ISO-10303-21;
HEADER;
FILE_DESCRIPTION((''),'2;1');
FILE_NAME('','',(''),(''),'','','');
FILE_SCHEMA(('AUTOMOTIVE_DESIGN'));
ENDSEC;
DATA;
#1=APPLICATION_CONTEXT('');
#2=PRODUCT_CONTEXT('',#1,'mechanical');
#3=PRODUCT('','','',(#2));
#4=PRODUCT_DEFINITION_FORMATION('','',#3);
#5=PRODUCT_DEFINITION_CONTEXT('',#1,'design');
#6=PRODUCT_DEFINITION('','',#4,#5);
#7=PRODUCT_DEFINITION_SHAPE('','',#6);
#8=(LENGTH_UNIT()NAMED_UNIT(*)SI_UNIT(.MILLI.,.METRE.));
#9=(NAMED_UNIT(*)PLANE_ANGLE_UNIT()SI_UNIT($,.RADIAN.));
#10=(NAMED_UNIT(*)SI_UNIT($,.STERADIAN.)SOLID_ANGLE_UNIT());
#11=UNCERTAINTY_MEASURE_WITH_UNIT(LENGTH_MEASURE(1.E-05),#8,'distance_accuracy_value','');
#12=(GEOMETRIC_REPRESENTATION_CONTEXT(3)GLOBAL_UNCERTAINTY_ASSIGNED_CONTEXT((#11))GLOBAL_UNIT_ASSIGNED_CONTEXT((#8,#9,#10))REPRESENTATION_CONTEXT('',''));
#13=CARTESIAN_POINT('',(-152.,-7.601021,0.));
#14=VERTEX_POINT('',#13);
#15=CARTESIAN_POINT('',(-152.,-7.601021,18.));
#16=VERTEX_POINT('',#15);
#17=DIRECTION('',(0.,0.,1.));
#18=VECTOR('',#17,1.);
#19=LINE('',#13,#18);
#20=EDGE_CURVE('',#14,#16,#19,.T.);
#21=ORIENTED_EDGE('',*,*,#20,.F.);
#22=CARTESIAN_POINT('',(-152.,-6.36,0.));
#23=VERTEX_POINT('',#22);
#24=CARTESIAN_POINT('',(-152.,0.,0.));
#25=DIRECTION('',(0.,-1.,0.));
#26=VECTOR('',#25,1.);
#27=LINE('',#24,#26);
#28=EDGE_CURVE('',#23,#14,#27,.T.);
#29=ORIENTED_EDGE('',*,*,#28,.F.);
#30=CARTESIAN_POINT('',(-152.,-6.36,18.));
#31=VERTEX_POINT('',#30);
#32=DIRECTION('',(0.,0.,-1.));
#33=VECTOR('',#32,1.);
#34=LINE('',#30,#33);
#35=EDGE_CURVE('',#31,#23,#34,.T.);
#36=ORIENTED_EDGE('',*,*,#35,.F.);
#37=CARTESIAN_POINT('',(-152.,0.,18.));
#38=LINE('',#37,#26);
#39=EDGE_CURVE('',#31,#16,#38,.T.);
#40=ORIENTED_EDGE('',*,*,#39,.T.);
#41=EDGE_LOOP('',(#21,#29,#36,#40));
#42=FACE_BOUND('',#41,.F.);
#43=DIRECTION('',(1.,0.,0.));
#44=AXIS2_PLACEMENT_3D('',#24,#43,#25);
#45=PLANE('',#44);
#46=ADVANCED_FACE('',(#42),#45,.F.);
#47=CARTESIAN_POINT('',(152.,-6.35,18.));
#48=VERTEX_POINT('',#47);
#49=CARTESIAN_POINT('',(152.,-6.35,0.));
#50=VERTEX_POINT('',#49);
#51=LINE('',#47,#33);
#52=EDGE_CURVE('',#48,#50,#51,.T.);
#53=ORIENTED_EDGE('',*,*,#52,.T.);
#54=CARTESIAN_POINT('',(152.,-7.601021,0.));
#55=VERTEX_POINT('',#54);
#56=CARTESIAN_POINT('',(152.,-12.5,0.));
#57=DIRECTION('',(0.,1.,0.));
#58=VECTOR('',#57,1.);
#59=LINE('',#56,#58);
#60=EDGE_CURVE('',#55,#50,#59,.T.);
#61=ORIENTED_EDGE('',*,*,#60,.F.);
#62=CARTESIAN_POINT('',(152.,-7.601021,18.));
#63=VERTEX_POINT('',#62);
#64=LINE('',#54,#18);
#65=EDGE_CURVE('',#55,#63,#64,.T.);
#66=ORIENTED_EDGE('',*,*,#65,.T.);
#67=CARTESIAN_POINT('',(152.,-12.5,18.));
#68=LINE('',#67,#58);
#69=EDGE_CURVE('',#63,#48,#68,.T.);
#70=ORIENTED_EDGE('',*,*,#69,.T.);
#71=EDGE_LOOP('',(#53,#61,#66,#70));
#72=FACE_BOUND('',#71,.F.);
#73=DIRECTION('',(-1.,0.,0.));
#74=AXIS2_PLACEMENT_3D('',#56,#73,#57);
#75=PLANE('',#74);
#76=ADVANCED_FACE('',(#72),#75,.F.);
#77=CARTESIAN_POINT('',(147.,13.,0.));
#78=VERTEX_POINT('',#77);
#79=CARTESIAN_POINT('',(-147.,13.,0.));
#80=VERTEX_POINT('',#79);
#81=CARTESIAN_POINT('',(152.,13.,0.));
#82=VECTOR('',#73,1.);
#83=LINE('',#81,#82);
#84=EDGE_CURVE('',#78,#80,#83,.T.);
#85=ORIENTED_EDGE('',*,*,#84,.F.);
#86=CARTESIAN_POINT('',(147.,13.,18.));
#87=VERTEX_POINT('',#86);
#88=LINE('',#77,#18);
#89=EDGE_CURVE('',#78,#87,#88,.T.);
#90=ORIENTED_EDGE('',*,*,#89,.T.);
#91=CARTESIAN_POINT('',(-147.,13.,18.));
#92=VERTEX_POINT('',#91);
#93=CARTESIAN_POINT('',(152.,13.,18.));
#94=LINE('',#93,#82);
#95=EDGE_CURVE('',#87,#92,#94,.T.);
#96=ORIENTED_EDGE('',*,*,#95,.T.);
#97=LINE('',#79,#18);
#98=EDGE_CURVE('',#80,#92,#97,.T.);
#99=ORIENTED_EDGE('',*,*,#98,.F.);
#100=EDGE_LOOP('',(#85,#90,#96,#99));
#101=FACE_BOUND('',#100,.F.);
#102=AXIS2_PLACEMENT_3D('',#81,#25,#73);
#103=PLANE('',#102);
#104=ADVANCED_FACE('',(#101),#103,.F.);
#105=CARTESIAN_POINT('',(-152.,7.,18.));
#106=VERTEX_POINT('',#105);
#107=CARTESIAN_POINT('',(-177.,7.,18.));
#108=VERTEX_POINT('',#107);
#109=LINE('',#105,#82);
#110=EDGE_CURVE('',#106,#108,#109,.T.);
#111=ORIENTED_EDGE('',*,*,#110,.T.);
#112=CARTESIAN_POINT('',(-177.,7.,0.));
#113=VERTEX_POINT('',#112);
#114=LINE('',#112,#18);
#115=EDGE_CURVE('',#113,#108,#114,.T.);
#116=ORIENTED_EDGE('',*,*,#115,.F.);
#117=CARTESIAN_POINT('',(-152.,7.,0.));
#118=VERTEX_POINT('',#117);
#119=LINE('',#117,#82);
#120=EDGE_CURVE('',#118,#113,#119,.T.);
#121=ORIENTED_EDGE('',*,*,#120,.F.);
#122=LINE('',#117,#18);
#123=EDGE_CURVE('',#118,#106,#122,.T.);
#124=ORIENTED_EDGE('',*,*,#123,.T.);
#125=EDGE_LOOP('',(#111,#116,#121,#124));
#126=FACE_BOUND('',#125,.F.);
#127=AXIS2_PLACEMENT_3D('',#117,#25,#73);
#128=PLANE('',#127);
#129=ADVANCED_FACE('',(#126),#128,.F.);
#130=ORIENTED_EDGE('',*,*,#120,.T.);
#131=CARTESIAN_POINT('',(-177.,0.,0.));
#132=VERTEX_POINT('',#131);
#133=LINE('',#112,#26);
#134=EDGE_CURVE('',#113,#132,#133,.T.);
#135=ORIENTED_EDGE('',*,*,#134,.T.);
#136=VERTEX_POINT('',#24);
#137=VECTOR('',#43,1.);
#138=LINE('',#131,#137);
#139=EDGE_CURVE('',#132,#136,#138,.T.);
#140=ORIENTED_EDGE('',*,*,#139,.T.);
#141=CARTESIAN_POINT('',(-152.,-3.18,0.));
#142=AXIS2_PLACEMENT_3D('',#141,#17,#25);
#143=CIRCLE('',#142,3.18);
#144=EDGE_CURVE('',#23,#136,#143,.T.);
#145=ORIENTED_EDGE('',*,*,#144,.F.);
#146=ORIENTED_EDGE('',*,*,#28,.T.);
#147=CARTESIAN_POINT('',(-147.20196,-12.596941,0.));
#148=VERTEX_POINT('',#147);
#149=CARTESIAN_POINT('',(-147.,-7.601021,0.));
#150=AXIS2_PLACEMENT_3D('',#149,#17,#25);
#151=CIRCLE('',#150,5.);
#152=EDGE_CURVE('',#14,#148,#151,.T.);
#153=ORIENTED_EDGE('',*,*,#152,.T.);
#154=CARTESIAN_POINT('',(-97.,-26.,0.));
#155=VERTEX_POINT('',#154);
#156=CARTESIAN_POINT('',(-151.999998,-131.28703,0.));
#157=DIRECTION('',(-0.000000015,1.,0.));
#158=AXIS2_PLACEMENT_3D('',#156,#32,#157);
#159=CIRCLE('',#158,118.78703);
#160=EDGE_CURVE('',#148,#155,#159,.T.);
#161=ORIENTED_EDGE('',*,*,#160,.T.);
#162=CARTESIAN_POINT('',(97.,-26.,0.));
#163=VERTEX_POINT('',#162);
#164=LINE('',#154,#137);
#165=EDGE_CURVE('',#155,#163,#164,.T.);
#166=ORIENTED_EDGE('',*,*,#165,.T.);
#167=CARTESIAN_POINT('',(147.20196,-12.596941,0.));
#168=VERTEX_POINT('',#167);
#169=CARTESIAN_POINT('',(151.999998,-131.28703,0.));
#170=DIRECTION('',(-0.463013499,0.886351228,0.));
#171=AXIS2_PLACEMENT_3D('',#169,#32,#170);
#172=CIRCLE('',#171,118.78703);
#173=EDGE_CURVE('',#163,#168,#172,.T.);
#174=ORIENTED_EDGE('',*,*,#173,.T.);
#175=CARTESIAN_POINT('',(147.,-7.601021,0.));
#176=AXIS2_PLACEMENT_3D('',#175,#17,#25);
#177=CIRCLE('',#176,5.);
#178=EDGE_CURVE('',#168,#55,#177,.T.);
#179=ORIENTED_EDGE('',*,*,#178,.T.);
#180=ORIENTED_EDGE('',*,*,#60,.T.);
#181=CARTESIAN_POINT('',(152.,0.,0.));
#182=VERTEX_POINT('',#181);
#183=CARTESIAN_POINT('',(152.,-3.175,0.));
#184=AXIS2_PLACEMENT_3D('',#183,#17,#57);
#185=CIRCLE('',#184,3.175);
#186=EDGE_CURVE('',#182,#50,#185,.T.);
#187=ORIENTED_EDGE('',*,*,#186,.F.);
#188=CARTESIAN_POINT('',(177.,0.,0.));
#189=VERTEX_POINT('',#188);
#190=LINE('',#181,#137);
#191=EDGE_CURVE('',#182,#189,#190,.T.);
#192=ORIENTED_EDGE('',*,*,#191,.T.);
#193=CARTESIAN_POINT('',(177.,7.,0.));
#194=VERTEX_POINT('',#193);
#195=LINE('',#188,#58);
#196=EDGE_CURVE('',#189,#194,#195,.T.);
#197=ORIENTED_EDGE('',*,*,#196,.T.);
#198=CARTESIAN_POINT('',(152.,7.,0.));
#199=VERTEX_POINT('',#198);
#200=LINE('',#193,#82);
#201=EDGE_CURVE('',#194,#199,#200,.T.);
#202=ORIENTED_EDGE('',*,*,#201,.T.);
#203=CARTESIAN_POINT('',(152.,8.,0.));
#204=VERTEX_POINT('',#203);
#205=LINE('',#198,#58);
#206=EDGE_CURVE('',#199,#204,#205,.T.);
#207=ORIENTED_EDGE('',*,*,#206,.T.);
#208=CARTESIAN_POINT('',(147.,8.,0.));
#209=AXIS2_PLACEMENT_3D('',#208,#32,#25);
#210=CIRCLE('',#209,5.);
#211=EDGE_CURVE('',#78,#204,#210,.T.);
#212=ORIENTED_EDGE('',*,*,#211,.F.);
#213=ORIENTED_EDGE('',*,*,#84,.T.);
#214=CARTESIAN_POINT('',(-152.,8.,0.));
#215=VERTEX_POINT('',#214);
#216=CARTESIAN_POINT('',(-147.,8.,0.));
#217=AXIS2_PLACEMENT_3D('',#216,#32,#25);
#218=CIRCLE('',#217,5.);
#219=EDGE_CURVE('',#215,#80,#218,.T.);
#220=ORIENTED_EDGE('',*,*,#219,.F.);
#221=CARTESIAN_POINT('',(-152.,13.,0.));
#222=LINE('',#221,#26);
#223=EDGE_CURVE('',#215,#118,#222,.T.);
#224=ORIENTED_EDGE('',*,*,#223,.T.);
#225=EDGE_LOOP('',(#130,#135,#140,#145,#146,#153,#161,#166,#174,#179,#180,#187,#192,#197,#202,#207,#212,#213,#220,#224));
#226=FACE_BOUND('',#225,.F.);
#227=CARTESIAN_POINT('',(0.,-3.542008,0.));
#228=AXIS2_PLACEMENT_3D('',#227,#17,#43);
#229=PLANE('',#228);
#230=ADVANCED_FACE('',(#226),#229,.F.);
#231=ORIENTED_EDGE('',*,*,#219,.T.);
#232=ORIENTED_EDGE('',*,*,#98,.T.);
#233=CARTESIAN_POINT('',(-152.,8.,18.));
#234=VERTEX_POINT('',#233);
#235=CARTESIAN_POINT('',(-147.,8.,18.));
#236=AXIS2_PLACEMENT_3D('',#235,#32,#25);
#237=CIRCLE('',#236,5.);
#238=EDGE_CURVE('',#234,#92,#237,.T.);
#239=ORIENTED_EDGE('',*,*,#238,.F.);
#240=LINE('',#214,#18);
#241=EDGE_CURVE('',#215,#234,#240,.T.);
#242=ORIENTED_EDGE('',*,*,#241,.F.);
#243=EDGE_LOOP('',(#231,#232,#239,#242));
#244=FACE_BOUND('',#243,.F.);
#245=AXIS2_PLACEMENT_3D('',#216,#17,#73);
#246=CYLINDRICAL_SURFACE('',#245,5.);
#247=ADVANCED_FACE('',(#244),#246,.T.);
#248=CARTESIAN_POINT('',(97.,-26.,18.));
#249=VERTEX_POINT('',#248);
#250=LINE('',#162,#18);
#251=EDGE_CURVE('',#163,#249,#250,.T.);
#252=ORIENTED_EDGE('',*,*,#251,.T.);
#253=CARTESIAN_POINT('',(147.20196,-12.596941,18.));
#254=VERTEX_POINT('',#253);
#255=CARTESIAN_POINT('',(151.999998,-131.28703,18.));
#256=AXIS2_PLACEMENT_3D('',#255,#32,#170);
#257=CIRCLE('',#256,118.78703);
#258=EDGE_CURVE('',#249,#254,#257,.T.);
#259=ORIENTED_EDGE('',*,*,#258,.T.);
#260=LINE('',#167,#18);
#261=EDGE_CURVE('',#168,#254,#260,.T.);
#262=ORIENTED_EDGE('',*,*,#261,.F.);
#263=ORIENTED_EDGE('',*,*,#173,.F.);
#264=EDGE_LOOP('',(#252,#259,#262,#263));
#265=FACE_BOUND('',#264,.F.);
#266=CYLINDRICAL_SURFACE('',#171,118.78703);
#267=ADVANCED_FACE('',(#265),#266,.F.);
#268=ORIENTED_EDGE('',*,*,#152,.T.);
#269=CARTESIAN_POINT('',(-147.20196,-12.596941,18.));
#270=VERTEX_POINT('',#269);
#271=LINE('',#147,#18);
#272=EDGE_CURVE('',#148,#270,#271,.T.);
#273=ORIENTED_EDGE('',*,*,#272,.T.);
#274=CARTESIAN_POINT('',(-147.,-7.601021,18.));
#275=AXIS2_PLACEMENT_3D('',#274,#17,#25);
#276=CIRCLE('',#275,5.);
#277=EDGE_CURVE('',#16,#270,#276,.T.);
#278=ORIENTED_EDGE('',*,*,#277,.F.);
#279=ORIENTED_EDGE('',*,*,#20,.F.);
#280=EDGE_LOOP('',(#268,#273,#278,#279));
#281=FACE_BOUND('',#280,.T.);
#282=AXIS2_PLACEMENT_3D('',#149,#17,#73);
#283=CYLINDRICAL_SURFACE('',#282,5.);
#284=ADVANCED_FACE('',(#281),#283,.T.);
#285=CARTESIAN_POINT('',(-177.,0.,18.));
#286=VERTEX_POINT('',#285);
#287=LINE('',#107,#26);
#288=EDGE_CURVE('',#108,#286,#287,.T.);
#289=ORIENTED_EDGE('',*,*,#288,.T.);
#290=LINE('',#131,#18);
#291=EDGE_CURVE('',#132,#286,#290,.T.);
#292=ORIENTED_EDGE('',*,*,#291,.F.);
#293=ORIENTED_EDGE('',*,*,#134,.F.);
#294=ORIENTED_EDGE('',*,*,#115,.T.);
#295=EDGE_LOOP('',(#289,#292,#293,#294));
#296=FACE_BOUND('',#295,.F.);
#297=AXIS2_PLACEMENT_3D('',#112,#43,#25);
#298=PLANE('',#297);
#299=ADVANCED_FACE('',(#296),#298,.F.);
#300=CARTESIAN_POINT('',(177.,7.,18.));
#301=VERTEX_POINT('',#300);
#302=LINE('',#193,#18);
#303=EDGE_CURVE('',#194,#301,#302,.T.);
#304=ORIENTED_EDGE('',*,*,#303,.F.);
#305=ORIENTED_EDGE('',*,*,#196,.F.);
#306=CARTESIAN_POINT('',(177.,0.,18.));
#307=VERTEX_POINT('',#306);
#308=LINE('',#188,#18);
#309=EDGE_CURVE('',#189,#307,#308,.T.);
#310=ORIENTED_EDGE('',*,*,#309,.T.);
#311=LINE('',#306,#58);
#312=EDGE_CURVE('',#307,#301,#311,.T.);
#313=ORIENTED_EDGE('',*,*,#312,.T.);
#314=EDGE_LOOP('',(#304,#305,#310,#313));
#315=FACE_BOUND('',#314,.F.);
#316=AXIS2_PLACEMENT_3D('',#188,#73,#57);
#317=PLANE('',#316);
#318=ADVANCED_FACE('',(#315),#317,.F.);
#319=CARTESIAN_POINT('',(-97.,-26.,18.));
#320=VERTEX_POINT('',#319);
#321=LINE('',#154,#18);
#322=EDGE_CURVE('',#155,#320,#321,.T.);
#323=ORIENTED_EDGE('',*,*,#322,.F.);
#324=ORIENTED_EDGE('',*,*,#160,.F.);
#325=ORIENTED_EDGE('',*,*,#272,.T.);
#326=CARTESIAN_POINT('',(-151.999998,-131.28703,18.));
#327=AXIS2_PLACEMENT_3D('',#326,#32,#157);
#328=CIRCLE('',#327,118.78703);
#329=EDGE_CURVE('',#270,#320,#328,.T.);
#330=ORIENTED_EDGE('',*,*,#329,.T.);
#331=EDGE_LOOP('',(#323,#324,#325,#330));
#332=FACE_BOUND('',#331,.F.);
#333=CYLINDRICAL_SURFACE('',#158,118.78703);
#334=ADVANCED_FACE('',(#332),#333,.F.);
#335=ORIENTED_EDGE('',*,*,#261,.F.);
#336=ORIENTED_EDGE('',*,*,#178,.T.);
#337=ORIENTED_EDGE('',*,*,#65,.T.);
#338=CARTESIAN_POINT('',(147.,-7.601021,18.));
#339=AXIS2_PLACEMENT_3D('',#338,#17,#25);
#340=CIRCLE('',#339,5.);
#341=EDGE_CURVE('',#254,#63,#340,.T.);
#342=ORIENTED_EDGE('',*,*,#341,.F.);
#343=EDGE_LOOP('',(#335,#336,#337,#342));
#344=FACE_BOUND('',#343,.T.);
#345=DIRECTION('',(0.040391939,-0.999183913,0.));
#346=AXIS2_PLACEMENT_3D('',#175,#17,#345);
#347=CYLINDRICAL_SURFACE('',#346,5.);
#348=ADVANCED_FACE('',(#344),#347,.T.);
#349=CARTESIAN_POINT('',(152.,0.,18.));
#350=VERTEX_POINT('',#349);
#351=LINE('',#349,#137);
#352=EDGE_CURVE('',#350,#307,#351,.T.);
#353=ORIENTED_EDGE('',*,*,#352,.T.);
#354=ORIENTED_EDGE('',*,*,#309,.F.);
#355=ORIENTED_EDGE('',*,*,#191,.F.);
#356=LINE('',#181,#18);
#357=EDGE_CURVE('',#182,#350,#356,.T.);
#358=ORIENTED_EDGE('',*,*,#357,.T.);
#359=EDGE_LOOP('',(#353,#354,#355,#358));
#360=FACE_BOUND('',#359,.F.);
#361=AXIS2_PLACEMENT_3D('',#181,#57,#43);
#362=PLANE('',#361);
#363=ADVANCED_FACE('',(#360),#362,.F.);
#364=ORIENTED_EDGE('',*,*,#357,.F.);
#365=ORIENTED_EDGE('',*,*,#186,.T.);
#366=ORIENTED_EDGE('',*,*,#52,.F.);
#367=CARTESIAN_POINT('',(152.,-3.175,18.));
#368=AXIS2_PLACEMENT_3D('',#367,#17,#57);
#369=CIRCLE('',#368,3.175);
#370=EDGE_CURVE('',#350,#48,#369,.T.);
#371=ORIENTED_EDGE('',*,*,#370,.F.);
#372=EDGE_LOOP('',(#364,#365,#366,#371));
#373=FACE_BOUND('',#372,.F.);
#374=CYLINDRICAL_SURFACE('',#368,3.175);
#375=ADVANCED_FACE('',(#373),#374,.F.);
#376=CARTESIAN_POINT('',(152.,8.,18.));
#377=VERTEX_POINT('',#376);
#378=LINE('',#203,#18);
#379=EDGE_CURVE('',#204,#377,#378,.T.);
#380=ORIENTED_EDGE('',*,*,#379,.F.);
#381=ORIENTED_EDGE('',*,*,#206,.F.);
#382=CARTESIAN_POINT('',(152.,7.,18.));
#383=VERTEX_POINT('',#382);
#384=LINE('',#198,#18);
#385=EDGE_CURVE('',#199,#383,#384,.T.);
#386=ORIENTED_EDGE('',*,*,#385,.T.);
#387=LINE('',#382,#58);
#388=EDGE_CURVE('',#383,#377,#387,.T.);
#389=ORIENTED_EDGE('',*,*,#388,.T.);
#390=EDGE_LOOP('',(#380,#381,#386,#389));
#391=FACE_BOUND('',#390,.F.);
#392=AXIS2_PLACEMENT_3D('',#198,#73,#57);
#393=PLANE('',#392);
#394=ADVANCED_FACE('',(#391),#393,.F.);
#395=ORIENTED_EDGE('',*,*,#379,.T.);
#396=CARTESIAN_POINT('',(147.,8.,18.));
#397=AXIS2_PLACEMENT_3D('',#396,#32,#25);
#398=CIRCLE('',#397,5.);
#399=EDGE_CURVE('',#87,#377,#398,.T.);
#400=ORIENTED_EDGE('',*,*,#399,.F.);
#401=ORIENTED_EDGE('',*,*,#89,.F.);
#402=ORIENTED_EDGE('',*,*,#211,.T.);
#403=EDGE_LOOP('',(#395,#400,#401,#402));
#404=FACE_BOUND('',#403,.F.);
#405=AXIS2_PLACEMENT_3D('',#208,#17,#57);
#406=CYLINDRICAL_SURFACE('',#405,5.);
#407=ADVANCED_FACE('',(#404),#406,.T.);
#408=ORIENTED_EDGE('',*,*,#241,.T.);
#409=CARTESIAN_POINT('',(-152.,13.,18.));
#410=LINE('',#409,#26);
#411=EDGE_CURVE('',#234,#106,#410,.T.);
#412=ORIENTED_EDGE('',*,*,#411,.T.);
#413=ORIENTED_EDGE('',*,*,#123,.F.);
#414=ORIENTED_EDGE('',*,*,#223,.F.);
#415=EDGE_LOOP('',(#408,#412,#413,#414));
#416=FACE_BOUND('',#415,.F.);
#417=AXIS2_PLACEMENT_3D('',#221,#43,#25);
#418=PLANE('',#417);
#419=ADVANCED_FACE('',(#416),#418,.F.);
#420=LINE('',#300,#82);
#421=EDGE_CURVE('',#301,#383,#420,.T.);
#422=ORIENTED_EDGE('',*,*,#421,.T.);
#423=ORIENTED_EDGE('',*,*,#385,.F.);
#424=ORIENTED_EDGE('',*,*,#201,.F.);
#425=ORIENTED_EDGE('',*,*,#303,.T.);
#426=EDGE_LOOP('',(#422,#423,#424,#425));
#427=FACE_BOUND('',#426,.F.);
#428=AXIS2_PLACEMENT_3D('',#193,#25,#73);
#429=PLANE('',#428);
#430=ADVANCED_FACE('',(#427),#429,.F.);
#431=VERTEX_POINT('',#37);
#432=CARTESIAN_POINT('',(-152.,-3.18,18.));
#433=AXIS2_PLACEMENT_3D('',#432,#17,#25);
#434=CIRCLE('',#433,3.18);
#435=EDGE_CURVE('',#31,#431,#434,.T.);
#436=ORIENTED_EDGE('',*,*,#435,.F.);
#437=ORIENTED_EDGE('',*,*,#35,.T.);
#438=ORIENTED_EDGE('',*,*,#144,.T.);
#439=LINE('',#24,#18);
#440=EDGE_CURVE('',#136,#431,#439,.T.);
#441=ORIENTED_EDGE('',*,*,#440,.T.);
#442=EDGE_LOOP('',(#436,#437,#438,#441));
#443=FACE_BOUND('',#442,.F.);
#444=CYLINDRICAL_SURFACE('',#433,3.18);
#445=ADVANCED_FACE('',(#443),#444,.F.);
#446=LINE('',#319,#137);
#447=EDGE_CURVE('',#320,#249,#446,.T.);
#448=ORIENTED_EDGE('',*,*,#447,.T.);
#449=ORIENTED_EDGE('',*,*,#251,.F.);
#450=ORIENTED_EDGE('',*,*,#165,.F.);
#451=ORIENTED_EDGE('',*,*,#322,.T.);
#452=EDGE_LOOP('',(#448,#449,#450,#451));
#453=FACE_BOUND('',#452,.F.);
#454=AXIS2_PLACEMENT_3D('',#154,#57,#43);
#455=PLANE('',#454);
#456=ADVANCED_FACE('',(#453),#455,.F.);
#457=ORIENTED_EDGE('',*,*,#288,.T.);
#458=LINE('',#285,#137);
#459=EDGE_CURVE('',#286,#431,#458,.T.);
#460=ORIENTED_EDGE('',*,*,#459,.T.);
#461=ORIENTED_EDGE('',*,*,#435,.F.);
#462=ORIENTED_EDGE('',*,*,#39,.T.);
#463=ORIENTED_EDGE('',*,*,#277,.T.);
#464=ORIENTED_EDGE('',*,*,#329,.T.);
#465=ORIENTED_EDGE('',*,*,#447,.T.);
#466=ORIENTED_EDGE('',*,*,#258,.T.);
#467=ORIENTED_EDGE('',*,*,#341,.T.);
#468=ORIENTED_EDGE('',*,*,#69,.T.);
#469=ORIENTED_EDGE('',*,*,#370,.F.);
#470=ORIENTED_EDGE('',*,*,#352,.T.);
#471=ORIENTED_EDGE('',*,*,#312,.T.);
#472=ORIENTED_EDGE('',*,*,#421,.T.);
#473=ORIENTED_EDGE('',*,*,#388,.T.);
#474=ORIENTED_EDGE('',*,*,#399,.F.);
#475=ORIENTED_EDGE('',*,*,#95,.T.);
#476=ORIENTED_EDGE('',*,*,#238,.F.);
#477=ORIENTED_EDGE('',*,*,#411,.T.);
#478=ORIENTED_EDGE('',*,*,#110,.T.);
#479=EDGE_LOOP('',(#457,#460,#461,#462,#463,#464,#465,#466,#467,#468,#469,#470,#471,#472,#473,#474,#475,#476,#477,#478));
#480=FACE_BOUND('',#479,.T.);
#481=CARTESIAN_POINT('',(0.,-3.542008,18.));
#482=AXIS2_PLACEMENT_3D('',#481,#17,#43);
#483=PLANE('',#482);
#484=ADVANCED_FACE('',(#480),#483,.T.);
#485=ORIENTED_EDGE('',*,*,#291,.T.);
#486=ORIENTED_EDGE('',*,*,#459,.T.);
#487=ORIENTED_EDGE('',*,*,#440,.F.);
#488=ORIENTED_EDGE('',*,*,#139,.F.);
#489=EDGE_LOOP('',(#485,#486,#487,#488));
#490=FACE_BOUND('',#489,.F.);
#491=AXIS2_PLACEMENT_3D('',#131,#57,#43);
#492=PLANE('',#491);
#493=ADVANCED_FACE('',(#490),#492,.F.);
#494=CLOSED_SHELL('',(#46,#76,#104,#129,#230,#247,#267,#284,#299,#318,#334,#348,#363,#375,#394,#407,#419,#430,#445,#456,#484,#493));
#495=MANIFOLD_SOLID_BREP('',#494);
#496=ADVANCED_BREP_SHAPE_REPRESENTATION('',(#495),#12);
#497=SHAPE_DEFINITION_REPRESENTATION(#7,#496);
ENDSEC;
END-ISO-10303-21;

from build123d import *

# Parameters (mm, degrees)
F1_DEPTH = 18
F2_R     = 5
F4_DEPTH = 18.001
F5_R     = 5


with BuildPart() as f1:
    # F0 (on Top) → F1 (new body)
    with BuildSketch(Plane.XY):
        with BuildLine():
            Line((-177, 7), (-177, 0))
            Line((-177, 0), (-152, 0))
            Line((-152, 0), (-152, -12.5))
            ThreePointArc((-152, -12.5), (-123.683706, -15.924358), (-97, -26))
            Line((-97, -26), (0, -26))
            Line((0, -26), (97, -26))
            ThreePointArc((97, -26), (123.683706, -15.924358), (152, -12.5))
            Line((152, -12.5), (152, 0))
            Line((152, 0), (177, 0))
            Line((177, 0), (177, 7))
            Line((177, 7), (152, 7))
            Line((152, 7), (152, 13))
            Line((152, 13), (0, 13))
            Line((0, 13), (-152, 13))
            Line((-152, 13), (-152, 7))
            Line((-152, 7), (-177, 7))
        make_face()
    extrude(amount=F1_DEPTH)

    # F2
    f2_edges = [f1.edges().sort_by_distance(p)[0] for p in [
        (-152, -12.5, 9),
        (152, -12.5, 9),
    ]]
    fillet(f2_edges, radius=F2_R)

    # F3 (on face) → F4 (cut, through all)
    with BuildSketch(Plane.XY.offset(18)):
        with BuildLine():
            ThreePointArc((152, 0), (148.825, -3.175), (152, -6.35))
            Line((152, -6.35), (152, 0))
        make_face()
        with BuildLine():
            Line((-152, 0), (-152, -6.36))
            ThreePointArc((-152, -6.36), (-148.82, -3.18), (-152, 0))
        make_face()
    extrude(amount=-F4_DEPTH, mode=Mode.SUBTRACT)

    # F5
    f5_edges = [f1.edges().sort_by_distance(p)[0] for p in [
        (-152, 13, 9),
        (152, 13, 9),
    ]]
    fillet(f5_edges, radius=F5_R)


solid = f1.part
